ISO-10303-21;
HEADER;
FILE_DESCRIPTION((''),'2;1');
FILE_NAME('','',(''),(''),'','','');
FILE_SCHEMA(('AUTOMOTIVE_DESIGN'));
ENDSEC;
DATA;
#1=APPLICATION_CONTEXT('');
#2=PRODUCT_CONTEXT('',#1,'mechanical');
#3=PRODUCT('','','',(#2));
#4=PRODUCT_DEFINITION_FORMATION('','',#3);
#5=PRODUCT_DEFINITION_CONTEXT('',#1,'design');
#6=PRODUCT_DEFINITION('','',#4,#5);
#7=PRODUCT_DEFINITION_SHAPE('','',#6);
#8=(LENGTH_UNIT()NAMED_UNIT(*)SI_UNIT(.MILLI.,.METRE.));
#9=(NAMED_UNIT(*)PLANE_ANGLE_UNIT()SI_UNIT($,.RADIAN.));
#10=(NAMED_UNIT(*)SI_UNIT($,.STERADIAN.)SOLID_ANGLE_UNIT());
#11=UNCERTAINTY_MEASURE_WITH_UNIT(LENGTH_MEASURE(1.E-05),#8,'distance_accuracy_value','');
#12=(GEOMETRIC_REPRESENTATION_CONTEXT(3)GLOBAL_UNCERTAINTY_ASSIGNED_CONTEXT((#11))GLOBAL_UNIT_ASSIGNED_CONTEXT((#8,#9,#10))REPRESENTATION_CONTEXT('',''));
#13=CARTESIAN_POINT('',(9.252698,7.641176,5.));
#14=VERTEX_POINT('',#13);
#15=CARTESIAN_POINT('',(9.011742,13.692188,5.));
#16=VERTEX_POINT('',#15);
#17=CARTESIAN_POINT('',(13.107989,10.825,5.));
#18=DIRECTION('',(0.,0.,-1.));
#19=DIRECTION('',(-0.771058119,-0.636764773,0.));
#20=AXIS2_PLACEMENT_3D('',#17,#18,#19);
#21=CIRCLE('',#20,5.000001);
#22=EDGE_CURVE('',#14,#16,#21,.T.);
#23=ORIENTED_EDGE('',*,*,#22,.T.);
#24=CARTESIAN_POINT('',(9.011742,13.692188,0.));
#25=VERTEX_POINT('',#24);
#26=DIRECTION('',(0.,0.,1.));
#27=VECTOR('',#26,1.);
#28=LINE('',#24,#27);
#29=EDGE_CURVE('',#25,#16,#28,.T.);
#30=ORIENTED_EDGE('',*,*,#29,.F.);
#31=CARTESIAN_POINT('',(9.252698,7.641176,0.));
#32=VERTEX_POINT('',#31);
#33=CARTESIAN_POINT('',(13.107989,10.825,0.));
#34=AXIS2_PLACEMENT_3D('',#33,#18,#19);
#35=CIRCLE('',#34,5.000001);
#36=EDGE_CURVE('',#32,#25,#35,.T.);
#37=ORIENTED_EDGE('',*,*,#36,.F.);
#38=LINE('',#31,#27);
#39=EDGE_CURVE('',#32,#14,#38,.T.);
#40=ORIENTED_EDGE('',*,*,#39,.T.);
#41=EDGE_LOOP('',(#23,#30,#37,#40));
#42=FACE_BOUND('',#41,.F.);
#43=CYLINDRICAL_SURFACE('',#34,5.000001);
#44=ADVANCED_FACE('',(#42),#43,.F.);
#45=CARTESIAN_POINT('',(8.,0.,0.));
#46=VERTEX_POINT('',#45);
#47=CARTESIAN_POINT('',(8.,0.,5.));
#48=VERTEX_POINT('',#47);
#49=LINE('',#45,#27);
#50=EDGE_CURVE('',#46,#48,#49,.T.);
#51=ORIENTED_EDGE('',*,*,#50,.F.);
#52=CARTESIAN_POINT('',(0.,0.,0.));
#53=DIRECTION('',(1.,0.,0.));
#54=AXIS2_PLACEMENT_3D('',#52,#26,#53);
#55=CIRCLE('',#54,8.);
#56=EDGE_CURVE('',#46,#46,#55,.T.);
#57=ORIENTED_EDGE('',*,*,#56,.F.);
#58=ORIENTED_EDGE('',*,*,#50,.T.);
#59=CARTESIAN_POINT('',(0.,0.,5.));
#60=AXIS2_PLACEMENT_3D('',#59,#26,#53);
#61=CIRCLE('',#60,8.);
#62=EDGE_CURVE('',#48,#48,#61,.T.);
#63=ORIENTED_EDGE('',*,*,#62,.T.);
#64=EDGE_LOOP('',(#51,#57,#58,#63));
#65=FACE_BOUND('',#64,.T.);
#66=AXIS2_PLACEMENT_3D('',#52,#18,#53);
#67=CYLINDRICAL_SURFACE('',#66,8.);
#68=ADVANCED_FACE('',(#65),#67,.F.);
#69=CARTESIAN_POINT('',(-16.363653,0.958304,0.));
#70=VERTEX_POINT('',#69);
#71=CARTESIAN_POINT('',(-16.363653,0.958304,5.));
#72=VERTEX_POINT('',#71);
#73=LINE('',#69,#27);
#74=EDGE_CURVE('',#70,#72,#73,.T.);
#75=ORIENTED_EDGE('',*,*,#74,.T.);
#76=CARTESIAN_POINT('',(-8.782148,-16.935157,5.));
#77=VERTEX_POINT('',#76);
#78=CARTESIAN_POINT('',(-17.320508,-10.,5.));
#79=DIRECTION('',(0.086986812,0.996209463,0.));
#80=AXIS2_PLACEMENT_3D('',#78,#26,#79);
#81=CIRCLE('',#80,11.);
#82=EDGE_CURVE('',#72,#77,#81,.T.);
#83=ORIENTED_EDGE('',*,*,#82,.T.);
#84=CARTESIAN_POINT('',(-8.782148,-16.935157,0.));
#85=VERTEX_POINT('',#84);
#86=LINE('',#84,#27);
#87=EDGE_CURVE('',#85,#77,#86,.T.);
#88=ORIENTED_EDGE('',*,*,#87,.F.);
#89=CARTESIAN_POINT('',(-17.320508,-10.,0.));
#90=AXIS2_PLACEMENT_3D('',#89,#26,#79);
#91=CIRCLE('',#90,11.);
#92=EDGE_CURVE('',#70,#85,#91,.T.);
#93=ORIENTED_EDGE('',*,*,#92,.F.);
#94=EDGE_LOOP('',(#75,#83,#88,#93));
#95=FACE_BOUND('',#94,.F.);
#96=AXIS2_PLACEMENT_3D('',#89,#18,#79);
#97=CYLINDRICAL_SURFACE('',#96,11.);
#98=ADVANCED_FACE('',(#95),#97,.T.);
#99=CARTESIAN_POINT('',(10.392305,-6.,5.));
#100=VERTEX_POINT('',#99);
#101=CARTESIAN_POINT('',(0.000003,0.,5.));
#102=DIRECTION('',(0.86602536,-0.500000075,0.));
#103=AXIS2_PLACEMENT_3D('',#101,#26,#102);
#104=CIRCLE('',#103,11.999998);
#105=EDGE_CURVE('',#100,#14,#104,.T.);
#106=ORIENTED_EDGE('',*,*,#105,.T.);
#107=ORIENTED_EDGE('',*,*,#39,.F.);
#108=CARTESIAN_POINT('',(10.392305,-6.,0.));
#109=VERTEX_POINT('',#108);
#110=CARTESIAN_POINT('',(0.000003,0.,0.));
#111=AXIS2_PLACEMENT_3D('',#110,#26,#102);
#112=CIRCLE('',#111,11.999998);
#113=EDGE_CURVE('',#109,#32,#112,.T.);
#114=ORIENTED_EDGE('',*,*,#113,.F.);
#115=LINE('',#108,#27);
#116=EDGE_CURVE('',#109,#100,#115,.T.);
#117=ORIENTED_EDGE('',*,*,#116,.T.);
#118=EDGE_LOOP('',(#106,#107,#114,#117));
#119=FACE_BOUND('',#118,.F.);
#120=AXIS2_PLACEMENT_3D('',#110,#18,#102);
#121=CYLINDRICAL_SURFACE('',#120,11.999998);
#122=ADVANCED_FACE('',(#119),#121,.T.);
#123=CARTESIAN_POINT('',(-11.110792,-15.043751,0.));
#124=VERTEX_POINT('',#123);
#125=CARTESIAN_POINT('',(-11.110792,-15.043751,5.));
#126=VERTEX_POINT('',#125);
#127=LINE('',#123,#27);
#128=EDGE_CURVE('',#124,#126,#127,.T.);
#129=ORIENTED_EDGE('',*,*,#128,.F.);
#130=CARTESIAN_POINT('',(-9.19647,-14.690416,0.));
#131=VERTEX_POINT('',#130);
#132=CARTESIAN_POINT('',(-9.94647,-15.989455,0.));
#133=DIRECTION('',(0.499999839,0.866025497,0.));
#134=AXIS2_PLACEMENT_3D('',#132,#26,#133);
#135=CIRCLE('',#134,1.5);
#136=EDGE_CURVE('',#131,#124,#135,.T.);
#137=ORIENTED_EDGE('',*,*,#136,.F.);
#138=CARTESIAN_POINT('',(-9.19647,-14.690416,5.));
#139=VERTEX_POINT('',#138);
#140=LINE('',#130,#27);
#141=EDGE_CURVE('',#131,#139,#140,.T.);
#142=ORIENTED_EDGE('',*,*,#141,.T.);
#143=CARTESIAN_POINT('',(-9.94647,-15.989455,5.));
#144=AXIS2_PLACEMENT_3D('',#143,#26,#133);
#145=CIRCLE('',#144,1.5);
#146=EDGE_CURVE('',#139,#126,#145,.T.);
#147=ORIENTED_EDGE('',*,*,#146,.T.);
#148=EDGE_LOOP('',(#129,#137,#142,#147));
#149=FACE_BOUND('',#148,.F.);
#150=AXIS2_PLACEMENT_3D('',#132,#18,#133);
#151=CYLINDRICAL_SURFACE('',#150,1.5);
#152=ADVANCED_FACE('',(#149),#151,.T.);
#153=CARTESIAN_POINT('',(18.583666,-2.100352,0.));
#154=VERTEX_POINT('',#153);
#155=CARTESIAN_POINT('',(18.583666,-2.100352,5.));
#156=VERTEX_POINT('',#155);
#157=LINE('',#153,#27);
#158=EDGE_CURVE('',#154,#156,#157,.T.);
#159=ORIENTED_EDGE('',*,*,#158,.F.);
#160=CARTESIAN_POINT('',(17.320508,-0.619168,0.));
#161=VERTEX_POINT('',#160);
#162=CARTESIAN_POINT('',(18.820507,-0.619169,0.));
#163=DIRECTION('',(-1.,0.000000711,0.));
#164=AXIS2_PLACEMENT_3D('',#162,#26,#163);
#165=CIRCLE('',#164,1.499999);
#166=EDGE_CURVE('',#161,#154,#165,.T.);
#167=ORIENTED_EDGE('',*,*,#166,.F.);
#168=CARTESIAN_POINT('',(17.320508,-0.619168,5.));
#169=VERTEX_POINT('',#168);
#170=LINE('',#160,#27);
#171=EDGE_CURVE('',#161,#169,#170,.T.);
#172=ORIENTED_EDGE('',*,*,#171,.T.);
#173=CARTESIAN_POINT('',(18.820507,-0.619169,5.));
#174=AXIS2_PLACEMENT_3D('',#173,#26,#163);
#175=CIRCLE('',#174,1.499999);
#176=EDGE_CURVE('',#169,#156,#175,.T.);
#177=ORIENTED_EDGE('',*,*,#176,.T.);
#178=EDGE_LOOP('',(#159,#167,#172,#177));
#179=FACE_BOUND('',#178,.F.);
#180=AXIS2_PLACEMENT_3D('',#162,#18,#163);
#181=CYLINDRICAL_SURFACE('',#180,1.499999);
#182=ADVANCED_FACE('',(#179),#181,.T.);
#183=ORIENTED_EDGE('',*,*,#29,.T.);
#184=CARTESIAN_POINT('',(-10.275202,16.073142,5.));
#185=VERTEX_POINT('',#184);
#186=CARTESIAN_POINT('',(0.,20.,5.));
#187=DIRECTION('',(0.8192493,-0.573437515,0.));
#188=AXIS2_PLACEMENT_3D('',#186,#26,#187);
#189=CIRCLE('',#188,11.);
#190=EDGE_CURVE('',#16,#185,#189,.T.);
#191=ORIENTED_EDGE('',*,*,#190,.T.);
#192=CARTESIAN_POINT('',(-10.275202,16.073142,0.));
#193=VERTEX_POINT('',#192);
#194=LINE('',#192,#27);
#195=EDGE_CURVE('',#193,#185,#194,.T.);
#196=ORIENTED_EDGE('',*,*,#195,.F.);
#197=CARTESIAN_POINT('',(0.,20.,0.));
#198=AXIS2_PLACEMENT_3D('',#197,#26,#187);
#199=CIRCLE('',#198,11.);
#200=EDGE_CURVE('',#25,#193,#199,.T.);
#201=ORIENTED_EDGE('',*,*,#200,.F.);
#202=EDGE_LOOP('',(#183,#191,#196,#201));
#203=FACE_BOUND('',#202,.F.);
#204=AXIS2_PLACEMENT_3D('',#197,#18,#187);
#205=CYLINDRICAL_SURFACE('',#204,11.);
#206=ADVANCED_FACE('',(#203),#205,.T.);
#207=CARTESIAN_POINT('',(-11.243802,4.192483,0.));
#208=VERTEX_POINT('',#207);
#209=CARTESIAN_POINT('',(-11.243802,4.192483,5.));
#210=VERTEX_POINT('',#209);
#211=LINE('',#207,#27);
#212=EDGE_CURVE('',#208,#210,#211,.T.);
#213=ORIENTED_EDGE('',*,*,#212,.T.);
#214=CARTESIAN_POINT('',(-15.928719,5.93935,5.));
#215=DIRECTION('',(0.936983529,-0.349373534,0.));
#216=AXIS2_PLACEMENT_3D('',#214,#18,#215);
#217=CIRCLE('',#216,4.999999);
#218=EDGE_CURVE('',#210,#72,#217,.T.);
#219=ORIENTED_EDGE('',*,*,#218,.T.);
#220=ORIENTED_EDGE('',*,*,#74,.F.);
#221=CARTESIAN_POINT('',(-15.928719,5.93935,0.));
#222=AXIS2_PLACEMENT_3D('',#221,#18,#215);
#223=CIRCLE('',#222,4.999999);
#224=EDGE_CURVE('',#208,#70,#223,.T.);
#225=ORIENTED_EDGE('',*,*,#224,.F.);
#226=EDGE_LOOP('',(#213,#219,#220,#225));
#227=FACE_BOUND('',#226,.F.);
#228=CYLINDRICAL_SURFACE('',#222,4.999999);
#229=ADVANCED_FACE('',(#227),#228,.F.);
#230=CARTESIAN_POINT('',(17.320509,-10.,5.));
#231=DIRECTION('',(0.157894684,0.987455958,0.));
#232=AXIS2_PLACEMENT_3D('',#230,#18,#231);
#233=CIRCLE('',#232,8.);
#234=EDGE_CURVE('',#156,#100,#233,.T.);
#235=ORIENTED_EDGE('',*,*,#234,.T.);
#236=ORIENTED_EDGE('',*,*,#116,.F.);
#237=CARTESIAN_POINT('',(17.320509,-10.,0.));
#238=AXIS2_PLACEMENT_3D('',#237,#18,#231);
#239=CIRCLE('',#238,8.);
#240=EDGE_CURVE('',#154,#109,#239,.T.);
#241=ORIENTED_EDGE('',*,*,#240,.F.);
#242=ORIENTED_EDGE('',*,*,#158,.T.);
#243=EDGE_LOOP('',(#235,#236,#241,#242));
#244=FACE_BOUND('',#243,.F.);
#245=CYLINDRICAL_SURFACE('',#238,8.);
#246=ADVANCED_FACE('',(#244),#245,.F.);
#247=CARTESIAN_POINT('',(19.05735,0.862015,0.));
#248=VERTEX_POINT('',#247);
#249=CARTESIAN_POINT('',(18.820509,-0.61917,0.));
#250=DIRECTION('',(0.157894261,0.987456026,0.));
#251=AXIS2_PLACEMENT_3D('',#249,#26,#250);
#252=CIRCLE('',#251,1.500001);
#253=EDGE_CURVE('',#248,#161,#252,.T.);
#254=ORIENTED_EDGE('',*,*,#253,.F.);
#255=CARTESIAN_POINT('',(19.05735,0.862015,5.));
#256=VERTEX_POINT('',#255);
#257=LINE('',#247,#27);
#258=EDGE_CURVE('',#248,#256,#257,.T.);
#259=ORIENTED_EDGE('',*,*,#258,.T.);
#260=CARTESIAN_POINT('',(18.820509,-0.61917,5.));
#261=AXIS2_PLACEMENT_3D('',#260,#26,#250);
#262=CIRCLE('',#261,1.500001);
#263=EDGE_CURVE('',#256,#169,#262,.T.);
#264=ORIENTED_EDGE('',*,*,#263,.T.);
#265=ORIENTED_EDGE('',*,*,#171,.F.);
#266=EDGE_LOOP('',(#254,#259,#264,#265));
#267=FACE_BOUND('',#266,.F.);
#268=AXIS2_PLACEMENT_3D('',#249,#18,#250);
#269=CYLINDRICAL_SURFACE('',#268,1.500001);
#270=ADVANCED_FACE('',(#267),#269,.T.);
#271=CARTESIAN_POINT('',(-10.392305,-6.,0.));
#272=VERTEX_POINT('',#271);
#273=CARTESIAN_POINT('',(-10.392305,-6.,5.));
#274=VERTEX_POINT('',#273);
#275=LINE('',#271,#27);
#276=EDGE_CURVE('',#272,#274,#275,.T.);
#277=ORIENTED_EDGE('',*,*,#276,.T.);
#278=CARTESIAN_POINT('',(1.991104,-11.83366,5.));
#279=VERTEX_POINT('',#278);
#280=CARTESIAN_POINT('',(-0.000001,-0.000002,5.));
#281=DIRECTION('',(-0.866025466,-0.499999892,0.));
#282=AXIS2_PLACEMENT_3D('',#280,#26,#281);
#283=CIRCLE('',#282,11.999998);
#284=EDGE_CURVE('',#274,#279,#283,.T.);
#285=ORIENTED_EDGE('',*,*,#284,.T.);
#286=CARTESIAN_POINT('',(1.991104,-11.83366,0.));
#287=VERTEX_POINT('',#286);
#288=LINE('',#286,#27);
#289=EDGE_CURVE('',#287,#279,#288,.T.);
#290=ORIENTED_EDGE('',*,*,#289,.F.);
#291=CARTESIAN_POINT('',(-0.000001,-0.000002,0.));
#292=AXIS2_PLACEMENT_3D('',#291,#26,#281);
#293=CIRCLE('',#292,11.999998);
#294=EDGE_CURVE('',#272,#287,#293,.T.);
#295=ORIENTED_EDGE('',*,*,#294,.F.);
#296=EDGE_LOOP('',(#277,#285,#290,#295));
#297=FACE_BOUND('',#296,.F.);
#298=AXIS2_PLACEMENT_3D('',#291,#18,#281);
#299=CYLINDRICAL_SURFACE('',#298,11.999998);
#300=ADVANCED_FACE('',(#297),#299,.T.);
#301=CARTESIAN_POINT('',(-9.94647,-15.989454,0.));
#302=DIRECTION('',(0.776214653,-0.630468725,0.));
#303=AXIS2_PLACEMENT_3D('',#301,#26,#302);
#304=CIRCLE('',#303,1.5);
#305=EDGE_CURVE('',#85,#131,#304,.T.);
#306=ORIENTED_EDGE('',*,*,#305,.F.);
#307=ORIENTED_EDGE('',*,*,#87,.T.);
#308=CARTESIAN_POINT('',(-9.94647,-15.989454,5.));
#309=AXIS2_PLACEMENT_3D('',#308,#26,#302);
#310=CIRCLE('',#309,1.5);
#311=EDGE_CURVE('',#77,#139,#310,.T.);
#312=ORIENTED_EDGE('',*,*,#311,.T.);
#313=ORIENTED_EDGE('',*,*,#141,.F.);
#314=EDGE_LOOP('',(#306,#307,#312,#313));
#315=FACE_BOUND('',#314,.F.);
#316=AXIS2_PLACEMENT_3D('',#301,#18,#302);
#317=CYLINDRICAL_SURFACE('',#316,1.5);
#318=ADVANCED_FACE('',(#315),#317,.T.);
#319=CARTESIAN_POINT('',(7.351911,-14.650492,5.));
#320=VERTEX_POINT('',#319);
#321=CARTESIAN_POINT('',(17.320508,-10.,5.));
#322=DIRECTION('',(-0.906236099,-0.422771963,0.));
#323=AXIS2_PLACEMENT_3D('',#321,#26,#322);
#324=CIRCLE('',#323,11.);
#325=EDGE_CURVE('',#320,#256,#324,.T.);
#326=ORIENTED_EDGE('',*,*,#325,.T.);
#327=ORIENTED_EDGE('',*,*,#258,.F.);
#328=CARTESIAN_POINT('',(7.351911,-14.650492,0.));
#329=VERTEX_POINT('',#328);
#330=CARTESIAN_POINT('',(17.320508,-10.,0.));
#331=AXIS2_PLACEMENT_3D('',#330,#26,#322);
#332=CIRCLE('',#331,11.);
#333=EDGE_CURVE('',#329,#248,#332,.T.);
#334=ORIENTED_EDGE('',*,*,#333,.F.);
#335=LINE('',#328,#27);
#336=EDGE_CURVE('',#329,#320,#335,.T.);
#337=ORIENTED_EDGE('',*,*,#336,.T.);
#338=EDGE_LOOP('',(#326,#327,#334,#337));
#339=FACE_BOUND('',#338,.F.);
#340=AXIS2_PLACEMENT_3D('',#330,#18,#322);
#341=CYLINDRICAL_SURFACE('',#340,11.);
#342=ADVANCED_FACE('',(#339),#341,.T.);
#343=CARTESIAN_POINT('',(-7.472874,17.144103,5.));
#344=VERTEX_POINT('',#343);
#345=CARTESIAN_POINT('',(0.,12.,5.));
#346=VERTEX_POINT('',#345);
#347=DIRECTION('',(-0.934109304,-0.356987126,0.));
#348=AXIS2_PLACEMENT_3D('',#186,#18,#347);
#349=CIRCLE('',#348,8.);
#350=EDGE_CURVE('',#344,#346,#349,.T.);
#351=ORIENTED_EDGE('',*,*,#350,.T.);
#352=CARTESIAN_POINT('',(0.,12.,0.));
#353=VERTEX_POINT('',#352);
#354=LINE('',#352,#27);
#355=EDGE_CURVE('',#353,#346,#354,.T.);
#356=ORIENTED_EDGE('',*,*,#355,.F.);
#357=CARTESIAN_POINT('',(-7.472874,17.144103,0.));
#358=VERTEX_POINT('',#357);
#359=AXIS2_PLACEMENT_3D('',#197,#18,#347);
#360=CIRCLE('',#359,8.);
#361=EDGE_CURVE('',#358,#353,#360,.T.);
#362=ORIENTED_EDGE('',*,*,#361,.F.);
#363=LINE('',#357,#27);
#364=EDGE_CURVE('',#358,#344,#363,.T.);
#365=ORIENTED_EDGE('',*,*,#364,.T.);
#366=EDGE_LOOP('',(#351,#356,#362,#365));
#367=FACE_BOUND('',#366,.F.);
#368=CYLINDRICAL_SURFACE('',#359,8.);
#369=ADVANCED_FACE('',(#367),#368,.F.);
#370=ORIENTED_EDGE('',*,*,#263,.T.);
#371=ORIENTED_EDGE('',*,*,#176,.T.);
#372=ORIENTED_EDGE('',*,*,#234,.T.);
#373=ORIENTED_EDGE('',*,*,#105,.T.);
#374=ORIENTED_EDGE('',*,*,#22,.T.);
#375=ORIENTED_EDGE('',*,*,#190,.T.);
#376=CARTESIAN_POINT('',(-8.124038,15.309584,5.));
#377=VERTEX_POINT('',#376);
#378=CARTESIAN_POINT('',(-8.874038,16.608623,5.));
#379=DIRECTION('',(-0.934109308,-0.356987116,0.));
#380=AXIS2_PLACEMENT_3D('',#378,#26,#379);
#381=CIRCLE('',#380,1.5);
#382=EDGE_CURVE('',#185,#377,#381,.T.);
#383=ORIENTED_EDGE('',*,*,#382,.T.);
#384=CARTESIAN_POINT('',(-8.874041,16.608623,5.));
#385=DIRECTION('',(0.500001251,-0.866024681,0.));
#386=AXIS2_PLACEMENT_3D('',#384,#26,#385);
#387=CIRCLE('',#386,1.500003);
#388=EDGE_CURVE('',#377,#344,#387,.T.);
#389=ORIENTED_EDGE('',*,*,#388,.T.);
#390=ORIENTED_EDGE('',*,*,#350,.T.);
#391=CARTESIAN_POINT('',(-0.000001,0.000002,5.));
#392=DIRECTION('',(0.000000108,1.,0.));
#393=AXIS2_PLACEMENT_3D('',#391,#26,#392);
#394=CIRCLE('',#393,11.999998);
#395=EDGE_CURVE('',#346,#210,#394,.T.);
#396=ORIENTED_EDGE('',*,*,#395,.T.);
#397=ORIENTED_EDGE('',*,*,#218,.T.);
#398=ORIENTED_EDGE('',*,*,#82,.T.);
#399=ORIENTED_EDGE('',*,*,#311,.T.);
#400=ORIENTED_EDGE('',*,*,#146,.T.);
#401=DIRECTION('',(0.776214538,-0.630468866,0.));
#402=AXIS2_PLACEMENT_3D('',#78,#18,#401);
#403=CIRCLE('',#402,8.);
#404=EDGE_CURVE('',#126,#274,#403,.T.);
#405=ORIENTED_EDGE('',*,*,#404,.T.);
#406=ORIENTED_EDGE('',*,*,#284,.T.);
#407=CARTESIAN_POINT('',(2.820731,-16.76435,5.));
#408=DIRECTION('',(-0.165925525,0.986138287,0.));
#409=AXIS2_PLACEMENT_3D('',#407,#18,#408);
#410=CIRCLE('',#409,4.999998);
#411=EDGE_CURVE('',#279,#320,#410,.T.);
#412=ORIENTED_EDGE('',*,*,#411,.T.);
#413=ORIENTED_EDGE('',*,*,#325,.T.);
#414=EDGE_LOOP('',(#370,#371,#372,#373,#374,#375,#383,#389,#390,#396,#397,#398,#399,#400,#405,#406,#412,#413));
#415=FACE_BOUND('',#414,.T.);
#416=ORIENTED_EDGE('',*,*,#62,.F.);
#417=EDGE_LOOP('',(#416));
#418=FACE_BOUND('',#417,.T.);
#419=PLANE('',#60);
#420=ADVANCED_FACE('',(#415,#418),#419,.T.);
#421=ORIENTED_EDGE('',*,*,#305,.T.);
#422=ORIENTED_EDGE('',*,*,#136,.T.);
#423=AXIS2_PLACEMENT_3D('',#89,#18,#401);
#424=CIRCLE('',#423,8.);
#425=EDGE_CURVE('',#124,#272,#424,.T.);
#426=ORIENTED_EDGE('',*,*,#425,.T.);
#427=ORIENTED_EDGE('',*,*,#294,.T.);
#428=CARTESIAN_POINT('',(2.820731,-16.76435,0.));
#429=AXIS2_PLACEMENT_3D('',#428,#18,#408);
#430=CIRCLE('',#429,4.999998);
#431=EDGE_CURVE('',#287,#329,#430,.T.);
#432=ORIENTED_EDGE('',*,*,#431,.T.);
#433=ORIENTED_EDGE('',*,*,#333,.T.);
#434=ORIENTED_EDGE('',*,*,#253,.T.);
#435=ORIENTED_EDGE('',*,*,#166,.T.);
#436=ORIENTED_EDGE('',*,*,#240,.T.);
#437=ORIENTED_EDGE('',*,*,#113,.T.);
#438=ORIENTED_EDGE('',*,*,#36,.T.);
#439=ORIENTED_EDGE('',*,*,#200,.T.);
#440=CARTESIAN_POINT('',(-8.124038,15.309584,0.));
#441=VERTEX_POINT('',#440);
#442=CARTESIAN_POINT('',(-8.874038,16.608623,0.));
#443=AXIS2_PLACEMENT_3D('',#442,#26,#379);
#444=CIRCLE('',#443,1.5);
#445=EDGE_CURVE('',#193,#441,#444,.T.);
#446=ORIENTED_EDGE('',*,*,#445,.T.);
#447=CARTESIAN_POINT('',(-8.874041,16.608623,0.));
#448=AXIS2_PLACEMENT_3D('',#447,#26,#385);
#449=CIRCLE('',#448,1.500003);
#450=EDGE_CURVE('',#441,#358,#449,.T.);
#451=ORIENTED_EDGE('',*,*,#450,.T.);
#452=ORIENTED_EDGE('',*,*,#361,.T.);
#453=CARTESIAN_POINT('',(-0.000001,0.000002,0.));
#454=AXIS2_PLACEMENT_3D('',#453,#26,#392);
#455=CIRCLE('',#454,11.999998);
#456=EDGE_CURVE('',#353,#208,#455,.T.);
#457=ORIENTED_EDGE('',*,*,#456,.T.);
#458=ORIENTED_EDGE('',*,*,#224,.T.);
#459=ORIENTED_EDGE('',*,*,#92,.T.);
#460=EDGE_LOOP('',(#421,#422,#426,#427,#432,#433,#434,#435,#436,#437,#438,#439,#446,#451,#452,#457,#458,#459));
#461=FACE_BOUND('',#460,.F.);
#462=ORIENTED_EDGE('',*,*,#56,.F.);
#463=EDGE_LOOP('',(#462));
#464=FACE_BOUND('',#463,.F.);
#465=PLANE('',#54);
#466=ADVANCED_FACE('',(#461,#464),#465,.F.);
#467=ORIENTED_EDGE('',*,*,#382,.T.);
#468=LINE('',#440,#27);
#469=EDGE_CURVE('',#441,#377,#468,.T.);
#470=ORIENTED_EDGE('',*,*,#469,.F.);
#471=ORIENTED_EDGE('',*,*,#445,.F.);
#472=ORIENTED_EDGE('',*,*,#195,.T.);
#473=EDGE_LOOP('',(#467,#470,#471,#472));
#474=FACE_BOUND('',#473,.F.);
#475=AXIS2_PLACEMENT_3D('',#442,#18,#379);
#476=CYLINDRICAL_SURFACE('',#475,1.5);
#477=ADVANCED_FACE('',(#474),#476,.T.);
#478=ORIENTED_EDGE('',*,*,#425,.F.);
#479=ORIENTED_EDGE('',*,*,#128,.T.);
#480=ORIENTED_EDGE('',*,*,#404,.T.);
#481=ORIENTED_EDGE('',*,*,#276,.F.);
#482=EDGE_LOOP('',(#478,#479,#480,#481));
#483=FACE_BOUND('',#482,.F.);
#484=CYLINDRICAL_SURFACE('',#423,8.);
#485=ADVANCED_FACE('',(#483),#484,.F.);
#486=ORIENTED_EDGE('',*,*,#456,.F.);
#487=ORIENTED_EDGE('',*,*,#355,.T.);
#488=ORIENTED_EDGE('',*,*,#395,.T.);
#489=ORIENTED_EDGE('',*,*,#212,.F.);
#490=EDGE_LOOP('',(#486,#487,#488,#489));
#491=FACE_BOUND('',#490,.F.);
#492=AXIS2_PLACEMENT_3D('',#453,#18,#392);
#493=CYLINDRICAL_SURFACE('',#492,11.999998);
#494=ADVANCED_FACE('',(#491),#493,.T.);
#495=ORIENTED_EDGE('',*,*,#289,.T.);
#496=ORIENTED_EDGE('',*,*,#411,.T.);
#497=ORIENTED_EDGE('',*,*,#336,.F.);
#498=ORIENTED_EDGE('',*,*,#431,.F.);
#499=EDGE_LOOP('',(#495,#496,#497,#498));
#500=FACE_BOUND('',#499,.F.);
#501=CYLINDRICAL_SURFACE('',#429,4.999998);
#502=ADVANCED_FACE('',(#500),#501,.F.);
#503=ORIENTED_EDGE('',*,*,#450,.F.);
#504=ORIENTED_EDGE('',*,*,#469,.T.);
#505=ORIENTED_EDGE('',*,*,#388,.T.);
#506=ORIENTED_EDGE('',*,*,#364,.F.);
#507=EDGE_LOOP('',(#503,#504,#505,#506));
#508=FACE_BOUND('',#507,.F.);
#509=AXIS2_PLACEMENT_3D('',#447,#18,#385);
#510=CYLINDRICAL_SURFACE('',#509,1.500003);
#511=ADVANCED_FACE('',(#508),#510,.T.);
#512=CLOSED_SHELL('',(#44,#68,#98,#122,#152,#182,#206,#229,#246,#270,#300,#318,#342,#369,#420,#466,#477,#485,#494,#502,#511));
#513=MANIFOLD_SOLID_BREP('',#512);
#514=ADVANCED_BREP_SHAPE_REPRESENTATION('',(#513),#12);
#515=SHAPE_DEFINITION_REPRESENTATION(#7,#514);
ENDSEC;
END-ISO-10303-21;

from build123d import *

# Parameters (mm, degrees)
F0_R     = 8
F1_DEPTH = 5


with BuildPart() as f1:
    # F0 (on Top) → F1 (new body)
    with BuildSketch(Plane.XY):
        with BuildLine():
            ThreePointArc((-7.472874, 17.144103), (4.536123, 26.589658), (0, 12))
            ThreePointArc((0, 12), (-6.844348, 9.856719), (-11.243802, 4.192483))
            ThreePointArc((-11.243802, 4.192483), (-13.258407, 1.712126), (-16.363653, 0.958304))
            ThreePointArc((-16.363653, 0.958304), (-27.448872, -14.291414), (-8.782148, -16.935157))
            ThreePointArc((-8.782148, -16.935157), (-8.471386, -15.717191), (-9.19647, -14.690416))
            ThreePointArc((-9.19647, -14.690416), (-10.218732, -14.51437), (-11.110792, -15.043751))
            ThreePointArc((-11.110792, -15.043751), (-25.295381, -9.366431), (-10.392305, -6))
            ThreePointArc((-10.392305, -6), (-5.113995, -10.855739), (1.991104, -11.83366))
            ThreePointArc((1.991104, -11.83366), (5.146458, -12.33818), (7.351911, -14.650492))
            ThreePointArc((7.351911, -14.650492), (26.101164, -16.625714), (19.05735, 0.862015))
            ThreePointArc((19.05735, 0.862015), (17.84718, 0.52216), (17.320508, -0.619168))
            ThreePointArc((17.320508, -0.619168), (17.679179, -1.592497), (18.583666, -2.100352))
            ThreePointArc((18.583666, -2.100352), (20.759257, -17.223227), (10.392305, -6))
            ThreePointArc((10.392305, -6), (11.958343, 0.99902), (9.252698, 7.641176))
            ThreePointArc((9.252698, 7.641176), (8.111948, 10.626054), (9.011742, 13.692188))
            ThreePointArc((9.011742, 13.692188), (1.347709, 30.917128), (-10.275202, 16.073142))
            ThreePointArc((-10.275202, 16.073142), (-9.375794, 15.195031), (-8.124038, 15.309584))
            ThreePointArc((-8.124038, 15.309584), (-7.460447, 16.106867), (-7.472874, 17.144103))
        make_face()
        Circle(F0_R, mode=Mode.SUBTRACT)
    extrude(amount=F1_DEPTH)


solid = f1.part
